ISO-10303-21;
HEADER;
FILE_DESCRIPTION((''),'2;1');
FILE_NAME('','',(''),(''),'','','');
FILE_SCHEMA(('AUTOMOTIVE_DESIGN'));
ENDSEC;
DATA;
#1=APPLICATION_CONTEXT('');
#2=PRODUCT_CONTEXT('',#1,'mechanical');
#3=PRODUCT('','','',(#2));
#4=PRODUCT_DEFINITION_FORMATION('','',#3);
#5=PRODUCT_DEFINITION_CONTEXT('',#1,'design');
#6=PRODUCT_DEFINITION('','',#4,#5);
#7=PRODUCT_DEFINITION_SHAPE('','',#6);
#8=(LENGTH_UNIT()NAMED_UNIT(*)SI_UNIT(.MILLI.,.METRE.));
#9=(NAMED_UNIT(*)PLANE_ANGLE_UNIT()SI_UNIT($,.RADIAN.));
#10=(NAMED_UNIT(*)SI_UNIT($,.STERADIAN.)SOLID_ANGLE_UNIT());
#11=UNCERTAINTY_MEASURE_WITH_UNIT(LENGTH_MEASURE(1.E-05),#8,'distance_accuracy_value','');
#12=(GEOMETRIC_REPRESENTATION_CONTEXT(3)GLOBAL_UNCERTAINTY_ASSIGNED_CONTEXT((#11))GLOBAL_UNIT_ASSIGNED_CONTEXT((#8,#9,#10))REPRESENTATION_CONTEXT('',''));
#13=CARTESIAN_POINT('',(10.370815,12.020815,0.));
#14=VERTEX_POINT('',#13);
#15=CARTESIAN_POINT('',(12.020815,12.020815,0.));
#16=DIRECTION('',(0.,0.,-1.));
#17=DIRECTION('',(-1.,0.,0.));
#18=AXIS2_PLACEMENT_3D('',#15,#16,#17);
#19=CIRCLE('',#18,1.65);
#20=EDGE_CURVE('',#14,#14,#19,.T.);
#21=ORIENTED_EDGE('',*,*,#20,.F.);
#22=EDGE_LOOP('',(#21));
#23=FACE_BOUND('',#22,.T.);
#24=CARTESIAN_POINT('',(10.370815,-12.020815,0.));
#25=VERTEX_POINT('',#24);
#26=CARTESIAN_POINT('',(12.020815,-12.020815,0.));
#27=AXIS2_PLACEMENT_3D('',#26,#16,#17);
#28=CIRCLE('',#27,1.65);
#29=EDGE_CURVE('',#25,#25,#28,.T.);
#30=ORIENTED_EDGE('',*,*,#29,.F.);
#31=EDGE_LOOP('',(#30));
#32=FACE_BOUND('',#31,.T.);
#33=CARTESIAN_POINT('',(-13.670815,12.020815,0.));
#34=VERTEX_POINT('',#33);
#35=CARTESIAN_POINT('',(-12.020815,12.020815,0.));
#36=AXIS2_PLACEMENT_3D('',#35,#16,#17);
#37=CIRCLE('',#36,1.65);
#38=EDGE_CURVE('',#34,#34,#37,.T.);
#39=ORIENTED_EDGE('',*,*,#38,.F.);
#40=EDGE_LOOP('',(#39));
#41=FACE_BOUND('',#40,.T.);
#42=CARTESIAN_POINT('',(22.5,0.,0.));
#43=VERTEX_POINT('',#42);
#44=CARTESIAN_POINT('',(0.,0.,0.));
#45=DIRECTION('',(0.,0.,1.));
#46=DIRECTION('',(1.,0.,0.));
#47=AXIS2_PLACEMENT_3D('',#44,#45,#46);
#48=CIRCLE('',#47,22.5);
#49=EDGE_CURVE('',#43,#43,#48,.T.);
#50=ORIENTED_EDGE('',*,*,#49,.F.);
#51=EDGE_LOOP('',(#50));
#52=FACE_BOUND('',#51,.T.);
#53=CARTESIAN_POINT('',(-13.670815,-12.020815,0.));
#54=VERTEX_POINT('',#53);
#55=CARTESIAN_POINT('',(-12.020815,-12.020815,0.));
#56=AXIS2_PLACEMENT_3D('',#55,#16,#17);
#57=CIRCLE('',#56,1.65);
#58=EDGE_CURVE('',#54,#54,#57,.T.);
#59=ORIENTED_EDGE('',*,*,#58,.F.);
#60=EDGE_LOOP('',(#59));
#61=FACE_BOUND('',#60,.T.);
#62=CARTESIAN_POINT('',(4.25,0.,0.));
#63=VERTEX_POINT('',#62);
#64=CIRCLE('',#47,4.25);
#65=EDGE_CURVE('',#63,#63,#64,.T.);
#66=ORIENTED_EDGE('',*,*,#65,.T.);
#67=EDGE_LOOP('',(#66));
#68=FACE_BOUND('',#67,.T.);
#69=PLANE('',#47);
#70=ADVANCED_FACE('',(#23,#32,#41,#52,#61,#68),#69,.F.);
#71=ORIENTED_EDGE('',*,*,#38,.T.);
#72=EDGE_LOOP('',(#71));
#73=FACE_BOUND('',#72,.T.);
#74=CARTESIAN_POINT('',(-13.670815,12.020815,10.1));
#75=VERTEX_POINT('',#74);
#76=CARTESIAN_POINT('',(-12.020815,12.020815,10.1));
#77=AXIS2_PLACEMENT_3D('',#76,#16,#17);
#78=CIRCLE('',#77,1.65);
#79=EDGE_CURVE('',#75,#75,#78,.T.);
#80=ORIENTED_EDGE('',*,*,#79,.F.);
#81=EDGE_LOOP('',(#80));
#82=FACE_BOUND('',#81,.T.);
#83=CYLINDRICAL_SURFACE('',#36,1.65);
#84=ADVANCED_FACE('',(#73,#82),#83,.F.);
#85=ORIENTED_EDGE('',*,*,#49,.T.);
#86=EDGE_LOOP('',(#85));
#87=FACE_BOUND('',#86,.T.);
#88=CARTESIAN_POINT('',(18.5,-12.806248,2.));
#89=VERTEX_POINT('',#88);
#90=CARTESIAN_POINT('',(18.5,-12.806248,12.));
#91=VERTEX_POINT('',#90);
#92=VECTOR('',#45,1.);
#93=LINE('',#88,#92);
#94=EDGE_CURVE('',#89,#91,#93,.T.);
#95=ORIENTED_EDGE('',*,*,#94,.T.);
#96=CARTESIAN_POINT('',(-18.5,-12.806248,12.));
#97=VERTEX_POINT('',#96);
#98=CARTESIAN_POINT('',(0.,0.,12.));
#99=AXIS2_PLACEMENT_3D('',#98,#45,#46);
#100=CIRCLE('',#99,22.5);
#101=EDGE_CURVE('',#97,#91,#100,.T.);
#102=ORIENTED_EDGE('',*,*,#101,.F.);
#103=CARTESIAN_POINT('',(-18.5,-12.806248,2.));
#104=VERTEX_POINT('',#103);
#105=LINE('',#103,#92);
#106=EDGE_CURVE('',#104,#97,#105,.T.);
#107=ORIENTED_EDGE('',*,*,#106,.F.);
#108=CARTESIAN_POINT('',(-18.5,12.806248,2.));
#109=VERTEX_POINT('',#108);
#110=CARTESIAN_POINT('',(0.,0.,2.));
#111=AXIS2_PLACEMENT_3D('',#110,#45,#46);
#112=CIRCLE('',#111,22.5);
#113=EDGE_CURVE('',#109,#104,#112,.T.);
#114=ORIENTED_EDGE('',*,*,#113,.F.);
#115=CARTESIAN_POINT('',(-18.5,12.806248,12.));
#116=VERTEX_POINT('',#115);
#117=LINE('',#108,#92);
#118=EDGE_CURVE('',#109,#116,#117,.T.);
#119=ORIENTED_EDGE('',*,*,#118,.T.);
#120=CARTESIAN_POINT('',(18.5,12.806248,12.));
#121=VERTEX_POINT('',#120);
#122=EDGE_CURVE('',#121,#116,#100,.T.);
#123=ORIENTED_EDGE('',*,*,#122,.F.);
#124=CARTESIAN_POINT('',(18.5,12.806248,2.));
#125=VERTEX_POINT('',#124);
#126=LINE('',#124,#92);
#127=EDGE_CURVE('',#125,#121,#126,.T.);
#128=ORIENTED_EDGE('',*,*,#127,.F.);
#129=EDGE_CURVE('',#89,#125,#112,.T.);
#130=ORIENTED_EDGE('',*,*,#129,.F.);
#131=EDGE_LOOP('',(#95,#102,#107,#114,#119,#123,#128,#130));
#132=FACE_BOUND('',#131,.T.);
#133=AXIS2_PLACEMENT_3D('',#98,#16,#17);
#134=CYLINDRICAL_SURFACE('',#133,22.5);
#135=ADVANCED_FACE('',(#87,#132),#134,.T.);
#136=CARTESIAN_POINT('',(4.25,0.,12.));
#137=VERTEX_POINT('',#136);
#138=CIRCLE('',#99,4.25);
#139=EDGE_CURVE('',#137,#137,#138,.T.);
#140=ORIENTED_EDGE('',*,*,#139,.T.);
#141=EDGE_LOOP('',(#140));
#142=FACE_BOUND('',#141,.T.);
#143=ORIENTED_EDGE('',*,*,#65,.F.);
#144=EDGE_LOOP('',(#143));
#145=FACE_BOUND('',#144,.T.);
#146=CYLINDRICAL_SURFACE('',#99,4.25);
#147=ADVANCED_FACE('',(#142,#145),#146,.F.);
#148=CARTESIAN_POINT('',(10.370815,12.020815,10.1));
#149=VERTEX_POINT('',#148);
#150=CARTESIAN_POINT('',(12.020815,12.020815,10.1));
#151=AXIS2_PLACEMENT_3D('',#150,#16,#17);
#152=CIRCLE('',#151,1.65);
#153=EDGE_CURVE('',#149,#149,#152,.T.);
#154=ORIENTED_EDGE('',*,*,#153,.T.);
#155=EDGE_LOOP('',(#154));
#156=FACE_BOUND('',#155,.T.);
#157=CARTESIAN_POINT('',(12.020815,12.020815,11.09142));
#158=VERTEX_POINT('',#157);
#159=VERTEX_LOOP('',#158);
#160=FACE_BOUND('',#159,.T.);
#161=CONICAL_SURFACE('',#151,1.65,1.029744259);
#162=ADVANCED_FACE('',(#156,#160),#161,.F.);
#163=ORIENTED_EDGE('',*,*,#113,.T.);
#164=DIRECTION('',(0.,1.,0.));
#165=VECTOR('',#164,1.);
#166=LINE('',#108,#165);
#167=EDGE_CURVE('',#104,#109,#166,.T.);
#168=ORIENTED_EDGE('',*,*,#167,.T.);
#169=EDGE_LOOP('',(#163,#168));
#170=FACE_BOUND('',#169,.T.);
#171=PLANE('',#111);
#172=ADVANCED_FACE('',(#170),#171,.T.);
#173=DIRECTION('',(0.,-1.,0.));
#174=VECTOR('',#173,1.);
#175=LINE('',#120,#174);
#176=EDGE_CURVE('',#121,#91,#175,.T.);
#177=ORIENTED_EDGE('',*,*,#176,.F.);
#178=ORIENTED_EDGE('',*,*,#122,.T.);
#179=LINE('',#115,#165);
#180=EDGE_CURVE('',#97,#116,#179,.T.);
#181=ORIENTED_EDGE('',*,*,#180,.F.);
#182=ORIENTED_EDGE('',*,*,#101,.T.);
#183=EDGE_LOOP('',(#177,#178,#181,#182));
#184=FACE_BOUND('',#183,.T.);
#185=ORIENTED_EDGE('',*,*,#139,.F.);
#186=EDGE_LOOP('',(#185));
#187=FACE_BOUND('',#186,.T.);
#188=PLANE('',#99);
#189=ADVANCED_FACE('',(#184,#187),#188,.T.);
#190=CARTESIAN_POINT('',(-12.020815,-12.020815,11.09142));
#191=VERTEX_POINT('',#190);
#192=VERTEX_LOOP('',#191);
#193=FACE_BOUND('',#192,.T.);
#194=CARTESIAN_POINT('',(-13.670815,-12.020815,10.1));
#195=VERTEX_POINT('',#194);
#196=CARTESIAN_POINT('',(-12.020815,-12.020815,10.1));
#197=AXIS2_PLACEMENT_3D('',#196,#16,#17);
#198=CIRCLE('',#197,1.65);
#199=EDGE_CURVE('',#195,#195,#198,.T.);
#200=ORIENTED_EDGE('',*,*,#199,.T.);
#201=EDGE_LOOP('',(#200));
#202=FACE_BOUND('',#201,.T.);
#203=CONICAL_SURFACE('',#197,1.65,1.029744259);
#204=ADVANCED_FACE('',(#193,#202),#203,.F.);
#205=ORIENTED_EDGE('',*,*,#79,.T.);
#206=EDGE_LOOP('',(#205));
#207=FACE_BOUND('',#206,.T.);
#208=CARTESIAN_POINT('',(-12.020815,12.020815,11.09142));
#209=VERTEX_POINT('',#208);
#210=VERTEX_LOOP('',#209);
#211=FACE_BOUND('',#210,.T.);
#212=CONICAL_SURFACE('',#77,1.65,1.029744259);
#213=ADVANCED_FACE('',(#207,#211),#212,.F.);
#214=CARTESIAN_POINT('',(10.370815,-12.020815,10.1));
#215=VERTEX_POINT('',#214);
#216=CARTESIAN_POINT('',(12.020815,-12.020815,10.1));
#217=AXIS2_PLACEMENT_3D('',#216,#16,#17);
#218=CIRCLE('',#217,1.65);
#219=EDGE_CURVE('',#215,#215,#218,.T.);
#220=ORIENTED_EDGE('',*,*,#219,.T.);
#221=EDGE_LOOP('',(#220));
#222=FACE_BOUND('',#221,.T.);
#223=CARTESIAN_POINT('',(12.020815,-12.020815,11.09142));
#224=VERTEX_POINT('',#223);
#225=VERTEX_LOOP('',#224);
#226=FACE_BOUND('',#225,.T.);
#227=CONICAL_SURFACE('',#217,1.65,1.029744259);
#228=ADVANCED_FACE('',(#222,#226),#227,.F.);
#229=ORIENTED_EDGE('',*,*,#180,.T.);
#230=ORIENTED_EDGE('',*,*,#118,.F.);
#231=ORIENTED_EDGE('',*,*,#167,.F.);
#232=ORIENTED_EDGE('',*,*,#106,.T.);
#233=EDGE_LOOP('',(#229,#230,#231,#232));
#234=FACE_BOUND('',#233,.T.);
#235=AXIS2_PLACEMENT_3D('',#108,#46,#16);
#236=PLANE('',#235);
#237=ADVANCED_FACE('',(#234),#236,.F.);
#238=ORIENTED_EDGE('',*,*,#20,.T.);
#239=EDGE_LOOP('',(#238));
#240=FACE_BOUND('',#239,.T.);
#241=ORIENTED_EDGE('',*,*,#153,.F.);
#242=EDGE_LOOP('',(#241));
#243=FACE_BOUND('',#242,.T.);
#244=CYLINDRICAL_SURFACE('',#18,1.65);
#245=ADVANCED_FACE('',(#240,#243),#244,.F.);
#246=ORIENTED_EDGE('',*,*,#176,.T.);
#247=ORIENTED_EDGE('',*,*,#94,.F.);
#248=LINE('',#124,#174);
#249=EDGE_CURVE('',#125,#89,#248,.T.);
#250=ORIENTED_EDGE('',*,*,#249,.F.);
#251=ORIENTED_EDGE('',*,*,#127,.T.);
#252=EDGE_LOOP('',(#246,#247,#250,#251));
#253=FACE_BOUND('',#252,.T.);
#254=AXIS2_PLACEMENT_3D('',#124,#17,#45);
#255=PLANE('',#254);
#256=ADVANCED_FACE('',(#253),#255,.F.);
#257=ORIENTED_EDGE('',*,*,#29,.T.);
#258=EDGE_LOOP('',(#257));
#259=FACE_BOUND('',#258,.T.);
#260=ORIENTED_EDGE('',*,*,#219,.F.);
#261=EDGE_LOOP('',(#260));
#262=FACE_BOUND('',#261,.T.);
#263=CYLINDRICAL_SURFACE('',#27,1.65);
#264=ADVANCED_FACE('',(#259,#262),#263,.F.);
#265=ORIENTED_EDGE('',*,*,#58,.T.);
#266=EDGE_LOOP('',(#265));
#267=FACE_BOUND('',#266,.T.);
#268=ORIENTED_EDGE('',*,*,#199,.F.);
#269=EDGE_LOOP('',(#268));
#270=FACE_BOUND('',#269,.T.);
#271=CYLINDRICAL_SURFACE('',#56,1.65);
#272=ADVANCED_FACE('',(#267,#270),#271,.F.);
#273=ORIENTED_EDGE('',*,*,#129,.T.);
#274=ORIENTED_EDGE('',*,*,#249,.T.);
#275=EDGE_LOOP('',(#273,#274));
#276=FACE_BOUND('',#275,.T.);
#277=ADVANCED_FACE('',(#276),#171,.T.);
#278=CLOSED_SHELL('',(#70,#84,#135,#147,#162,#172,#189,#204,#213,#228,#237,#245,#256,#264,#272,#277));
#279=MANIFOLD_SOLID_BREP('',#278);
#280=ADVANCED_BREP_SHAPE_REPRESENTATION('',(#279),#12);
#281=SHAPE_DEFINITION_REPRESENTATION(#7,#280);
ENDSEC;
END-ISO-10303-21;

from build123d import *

# Parameters (mm, degrees)
SKETCH_1_R               = 22.5
EXTRUDE_1_DEPTH          = 12
CUT_EXTRUDE_1_DEPTH      = 10
HOLE_WIZARD_M10_1_D      = 8.5
HOLE_WIZARD_M10_1_DEPTH  = 24.5
HOLE_WIZARD_M10_1_TIP    = 2.553657631
PATTERN_CIRCULAR_1_COUNT = 4


with BuildPart() as part:
    # 草图1 → 凸台-拉伸1 (new body)
    with BuildSketch(Plane.XY):
        Circle(SKETCH_1_R)
    extrude(amount=EXTRUDE_1_DEPTH)

    # 草图2 → 切除-拉伸1 (cut)
    with BuildSketch(Plane.XY.offset(12)):
        with BuildLine():
            Line((-18.5, 12.806248475), (-18.5, -12.806248475))
            ThreePointArc((-18.5, -12.806248475), (-22.5, 0), (-18.5, 12.806248475))
        make_face()
        with BuildLine():
            Line((18.5, 12.806248475), (18.5, -12.806248475))
            ThreePointArc((18.5, -12.806248475), (22.5, 0), (18.5, 12.806248475))
        make_face()
    extrude(amount=-CUT_EXTRUDE_1_DEPTH, mode=Mode.SUBTRACT)

    # M10 螺纹孔1
    with Locations(Plane.XY.offset(12)):
        with Locations((0, 0)):
            Hole(HOLE_WIZARD_M10_1_D / 2, depth=HOLE_WIZARD_M10_1_DEPTH)
            with Locations((0, 0, -(HOLE_WIZARD_M10_1_DEPTH + HOLE_WIZARD_M10_1_TIP / 2))):  # 118° drill point
                Cone(0, HOLE_WIZARD_M10_1_D / 2, HOLE_WIZARD_M10_1_TIP, mode=Mode.SUBTRACT)

    # 草图7 → M4 螺纹孔2 (revolve, cut)
    with BuildSketch(Plane(origin=(-12.02081528, 12.02081528, 0), x_dir=(0, 1, 0), z_dir=(1, 0, 0))):
        Polygon((0, 0), (0, 11.091420021), (1.65, 10.1), (1.65, 0), align=None)
    hole_wizard_m4_2 = revolve(axis=Axis((-12.02081528, 12.02081528, -6.35), (0, 0, 1)), mode=Mode.SUBTRACT)

    # 阵列(圆周)1: M4 螺纹孔2 ×4 about axis
    pattern_circular_1_axis = Axis((0, 0, 0), (0, 0, 1))
    for i in range(1, PATTERN_CIRCULAR_1_COUNT):
        add(hole_wizard_m4_2.rotate(pattern_circular_1_axis, i * 360 / PATTERN_CIRCULAR_1_COUNT), mode=Mode.SUBTRACT)


solid = part.part
